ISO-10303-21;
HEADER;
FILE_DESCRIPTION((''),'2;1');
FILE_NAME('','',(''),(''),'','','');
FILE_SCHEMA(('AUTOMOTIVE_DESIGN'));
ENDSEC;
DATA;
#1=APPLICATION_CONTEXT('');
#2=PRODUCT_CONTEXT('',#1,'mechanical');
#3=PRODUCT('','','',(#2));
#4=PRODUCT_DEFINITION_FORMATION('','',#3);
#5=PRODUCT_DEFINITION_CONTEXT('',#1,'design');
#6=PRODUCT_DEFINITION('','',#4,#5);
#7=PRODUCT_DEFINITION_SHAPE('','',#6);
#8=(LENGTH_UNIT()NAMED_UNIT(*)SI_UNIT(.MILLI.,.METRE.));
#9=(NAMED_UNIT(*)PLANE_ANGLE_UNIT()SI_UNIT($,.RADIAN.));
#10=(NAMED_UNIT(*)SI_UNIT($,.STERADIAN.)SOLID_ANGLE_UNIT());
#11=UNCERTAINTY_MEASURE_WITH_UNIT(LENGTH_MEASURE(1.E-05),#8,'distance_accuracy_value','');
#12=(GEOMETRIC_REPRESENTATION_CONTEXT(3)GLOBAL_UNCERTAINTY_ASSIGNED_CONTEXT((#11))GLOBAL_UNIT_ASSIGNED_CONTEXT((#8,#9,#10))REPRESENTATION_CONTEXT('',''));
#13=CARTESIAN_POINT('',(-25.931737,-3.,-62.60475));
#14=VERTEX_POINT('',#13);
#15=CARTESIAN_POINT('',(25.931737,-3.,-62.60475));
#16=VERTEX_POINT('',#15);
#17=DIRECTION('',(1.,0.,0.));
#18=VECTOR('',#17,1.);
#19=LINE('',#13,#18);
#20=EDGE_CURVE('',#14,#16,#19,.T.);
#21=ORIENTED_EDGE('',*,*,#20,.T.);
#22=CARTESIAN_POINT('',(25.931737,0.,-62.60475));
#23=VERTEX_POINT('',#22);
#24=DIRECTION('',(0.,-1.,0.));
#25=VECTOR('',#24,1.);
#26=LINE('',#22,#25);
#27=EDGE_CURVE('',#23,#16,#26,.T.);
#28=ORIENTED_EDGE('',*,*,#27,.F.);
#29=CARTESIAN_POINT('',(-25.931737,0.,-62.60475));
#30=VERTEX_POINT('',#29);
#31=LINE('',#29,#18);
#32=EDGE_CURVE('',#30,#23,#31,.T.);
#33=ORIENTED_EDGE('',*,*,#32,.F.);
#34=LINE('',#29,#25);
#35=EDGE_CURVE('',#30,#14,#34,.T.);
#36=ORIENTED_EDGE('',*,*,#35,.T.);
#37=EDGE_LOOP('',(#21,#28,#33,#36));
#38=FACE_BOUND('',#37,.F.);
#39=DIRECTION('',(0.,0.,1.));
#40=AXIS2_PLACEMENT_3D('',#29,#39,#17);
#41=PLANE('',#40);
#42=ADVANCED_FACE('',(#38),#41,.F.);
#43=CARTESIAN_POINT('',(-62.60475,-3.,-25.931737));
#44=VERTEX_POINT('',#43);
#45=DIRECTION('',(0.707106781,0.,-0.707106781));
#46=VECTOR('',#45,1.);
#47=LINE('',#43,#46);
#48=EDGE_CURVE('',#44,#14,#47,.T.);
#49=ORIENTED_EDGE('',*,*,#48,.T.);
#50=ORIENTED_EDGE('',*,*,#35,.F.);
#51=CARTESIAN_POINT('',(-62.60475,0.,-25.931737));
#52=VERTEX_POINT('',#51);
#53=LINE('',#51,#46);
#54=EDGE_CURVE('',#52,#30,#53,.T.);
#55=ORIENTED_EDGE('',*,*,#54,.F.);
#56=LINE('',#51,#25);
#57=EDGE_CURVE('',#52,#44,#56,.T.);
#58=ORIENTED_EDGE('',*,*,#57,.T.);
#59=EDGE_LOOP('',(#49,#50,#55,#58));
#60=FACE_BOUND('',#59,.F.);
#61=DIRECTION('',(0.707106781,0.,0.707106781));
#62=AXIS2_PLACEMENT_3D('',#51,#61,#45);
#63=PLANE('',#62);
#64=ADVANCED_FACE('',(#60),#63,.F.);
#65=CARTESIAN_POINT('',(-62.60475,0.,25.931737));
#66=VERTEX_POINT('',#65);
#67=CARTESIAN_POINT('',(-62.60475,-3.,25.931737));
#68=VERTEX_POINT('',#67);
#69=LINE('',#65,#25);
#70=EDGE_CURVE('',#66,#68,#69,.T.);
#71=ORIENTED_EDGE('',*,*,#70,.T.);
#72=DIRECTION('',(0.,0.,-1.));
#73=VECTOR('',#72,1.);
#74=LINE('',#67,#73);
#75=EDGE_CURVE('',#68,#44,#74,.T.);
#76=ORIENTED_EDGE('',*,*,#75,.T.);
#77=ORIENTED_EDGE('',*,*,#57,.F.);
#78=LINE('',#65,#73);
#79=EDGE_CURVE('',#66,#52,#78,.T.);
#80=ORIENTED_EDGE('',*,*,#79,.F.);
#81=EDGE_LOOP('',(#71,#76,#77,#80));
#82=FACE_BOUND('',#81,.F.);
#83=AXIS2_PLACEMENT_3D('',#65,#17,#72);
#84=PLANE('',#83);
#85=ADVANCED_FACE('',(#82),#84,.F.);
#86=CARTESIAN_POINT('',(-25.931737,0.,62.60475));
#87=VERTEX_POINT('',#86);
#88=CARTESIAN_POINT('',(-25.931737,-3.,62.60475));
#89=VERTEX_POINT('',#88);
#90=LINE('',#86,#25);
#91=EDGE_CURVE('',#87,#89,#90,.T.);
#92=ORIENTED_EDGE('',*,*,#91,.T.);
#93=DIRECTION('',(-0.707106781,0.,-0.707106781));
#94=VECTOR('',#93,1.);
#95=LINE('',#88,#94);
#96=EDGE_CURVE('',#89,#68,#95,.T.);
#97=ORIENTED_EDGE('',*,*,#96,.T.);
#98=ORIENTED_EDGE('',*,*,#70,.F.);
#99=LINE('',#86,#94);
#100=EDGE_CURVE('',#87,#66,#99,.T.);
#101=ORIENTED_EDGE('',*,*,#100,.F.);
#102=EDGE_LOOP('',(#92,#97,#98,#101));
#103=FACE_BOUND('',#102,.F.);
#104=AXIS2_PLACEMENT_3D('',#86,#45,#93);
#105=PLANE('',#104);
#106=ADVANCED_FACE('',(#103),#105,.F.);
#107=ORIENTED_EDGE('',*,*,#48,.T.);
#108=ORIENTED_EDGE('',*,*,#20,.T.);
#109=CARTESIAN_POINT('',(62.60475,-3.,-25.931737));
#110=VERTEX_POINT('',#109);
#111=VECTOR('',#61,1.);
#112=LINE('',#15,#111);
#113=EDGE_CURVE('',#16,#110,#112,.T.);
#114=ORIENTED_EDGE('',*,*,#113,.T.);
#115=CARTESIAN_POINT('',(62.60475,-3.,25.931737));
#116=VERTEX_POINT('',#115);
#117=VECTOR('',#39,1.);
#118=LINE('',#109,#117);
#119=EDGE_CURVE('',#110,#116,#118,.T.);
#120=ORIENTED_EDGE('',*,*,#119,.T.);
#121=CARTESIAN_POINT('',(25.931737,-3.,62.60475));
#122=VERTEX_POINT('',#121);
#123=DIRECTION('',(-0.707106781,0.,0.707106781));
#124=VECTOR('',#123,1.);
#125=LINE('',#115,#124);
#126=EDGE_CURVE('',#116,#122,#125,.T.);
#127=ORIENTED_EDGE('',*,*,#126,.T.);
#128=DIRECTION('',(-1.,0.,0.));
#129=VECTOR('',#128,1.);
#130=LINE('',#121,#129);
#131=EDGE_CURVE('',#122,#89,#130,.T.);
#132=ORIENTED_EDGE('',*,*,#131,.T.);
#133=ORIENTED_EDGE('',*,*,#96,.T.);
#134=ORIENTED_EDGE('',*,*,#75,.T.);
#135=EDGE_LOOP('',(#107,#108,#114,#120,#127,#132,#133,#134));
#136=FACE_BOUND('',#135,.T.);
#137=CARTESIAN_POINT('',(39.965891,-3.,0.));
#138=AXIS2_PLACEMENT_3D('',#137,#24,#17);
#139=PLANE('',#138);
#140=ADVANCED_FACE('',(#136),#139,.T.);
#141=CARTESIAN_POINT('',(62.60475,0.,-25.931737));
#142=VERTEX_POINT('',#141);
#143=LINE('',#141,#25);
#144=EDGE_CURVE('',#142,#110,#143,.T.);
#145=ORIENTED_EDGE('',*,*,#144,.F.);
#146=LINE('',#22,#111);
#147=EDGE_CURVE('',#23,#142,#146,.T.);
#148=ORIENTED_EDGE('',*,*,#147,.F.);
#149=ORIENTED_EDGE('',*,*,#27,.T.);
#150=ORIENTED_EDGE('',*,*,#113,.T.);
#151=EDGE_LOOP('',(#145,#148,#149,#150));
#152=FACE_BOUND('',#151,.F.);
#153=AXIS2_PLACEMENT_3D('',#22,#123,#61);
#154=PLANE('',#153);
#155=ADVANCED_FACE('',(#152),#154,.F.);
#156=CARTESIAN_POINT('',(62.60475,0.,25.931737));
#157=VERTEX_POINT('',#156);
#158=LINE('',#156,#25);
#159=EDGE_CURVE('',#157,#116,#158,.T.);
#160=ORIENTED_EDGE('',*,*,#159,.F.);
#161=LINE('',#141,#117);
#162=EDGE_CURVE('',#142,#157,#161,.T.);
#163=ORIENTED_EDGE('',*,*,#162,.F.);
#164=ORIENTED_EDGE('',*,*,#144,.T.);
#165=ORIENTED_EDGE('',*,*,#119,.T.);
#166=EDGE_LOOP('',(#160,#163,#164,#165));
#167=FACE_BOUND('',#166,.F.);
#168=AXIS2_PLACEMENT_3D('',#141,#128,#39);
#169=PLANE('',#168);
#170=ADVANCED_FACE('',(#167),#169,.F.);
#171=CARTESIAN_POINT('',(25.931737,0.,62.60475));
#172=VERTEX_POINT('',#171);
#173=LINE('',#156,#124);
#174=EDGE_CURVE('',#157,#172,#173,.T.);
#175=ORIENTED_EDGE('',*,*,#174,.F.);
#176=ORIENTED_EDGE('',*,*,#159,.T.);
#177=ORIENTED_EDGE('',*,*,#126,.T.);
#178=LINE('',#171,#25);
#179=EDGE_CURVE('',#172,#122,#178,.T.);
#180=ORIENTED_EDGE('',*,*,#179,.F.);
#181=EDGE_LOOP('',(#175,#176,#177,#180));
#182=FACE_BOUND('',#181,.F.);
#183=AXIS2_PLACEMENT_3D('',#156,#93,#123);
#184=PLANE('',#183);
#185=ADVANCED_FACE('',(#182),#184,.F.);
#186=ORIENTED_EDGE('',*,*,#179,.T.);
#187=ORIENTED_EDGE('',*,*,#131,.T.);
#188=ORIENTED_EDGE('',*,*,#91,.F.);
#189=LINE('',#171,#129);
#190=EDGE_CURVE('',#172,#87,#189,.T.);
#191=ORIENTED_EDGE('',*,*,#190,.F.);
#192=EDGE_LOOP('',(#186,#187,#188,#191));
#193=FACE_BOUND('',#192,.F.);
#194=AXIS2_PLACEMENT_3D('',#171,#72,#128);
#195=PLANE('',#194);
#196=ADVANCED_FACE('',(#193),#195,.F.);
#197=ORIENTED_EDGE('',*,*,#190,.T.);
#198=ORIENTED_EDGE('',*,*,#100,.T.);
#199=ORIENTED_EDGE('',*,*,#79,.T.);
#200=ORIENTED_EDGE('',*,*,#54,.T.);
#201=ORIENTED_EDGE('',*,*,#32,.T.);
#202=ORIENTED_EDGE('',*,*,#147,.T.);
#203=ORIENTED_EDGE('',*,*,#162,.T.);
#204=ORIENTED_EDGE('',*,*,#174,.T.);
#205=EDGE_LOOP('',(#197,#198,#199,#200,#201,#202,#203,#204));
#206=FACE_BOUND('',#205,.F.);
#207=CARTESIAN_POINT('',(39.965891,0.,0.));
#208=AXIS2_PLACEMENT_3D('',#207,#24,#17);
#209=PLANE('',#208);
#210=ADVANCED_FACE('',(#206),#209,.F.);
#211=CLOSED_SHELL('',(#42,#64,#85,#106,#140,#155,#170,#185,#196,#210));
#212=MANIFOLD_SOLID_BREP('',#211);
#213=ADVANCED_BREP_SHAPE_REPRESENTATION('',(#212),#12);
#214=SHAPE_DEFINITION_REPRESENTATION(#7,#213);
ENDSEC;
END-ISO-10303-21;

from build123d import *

# Parameters (mm, degrees)
F1_DEPTH = 3


with BuildPart() as f1:
    # F0 (on Front) → F1 (new body)
    with BuildSketch(Plane.XZ):
        Polygon((0, 0), (62.60475, -25.931737), (62.60475, 25.931737), align=None)
        Polygon((25.931737, -62.60475), (62.60475, -25.931737), (0, 0), align=None)
        Polygon((-25.931737, -62.60475), (25.931737, -62.60475), (0, 0), align=None)
        Polygon((0, 0), (62.60475, 25.931737), (25.931737, 62.60475), align=None)
        Polygon((-62.60475, 25.931737), (0, 0), (-25.931737, 62.60475), align=None)
        Polygon((-25.931737, 62.60475), (0, 0), (25.931737, 62.60475), align=None)
        Polygon((-62.60475, -25.931737), (0, 0), (-62.60475, 25.931737), align=None)
        Polygon((-25.931737, -62.60475), (0, 0), (-62.60475, -25.931737), align=None)
    extrude(amount=F1_DEPTH)


solid = f1.part
